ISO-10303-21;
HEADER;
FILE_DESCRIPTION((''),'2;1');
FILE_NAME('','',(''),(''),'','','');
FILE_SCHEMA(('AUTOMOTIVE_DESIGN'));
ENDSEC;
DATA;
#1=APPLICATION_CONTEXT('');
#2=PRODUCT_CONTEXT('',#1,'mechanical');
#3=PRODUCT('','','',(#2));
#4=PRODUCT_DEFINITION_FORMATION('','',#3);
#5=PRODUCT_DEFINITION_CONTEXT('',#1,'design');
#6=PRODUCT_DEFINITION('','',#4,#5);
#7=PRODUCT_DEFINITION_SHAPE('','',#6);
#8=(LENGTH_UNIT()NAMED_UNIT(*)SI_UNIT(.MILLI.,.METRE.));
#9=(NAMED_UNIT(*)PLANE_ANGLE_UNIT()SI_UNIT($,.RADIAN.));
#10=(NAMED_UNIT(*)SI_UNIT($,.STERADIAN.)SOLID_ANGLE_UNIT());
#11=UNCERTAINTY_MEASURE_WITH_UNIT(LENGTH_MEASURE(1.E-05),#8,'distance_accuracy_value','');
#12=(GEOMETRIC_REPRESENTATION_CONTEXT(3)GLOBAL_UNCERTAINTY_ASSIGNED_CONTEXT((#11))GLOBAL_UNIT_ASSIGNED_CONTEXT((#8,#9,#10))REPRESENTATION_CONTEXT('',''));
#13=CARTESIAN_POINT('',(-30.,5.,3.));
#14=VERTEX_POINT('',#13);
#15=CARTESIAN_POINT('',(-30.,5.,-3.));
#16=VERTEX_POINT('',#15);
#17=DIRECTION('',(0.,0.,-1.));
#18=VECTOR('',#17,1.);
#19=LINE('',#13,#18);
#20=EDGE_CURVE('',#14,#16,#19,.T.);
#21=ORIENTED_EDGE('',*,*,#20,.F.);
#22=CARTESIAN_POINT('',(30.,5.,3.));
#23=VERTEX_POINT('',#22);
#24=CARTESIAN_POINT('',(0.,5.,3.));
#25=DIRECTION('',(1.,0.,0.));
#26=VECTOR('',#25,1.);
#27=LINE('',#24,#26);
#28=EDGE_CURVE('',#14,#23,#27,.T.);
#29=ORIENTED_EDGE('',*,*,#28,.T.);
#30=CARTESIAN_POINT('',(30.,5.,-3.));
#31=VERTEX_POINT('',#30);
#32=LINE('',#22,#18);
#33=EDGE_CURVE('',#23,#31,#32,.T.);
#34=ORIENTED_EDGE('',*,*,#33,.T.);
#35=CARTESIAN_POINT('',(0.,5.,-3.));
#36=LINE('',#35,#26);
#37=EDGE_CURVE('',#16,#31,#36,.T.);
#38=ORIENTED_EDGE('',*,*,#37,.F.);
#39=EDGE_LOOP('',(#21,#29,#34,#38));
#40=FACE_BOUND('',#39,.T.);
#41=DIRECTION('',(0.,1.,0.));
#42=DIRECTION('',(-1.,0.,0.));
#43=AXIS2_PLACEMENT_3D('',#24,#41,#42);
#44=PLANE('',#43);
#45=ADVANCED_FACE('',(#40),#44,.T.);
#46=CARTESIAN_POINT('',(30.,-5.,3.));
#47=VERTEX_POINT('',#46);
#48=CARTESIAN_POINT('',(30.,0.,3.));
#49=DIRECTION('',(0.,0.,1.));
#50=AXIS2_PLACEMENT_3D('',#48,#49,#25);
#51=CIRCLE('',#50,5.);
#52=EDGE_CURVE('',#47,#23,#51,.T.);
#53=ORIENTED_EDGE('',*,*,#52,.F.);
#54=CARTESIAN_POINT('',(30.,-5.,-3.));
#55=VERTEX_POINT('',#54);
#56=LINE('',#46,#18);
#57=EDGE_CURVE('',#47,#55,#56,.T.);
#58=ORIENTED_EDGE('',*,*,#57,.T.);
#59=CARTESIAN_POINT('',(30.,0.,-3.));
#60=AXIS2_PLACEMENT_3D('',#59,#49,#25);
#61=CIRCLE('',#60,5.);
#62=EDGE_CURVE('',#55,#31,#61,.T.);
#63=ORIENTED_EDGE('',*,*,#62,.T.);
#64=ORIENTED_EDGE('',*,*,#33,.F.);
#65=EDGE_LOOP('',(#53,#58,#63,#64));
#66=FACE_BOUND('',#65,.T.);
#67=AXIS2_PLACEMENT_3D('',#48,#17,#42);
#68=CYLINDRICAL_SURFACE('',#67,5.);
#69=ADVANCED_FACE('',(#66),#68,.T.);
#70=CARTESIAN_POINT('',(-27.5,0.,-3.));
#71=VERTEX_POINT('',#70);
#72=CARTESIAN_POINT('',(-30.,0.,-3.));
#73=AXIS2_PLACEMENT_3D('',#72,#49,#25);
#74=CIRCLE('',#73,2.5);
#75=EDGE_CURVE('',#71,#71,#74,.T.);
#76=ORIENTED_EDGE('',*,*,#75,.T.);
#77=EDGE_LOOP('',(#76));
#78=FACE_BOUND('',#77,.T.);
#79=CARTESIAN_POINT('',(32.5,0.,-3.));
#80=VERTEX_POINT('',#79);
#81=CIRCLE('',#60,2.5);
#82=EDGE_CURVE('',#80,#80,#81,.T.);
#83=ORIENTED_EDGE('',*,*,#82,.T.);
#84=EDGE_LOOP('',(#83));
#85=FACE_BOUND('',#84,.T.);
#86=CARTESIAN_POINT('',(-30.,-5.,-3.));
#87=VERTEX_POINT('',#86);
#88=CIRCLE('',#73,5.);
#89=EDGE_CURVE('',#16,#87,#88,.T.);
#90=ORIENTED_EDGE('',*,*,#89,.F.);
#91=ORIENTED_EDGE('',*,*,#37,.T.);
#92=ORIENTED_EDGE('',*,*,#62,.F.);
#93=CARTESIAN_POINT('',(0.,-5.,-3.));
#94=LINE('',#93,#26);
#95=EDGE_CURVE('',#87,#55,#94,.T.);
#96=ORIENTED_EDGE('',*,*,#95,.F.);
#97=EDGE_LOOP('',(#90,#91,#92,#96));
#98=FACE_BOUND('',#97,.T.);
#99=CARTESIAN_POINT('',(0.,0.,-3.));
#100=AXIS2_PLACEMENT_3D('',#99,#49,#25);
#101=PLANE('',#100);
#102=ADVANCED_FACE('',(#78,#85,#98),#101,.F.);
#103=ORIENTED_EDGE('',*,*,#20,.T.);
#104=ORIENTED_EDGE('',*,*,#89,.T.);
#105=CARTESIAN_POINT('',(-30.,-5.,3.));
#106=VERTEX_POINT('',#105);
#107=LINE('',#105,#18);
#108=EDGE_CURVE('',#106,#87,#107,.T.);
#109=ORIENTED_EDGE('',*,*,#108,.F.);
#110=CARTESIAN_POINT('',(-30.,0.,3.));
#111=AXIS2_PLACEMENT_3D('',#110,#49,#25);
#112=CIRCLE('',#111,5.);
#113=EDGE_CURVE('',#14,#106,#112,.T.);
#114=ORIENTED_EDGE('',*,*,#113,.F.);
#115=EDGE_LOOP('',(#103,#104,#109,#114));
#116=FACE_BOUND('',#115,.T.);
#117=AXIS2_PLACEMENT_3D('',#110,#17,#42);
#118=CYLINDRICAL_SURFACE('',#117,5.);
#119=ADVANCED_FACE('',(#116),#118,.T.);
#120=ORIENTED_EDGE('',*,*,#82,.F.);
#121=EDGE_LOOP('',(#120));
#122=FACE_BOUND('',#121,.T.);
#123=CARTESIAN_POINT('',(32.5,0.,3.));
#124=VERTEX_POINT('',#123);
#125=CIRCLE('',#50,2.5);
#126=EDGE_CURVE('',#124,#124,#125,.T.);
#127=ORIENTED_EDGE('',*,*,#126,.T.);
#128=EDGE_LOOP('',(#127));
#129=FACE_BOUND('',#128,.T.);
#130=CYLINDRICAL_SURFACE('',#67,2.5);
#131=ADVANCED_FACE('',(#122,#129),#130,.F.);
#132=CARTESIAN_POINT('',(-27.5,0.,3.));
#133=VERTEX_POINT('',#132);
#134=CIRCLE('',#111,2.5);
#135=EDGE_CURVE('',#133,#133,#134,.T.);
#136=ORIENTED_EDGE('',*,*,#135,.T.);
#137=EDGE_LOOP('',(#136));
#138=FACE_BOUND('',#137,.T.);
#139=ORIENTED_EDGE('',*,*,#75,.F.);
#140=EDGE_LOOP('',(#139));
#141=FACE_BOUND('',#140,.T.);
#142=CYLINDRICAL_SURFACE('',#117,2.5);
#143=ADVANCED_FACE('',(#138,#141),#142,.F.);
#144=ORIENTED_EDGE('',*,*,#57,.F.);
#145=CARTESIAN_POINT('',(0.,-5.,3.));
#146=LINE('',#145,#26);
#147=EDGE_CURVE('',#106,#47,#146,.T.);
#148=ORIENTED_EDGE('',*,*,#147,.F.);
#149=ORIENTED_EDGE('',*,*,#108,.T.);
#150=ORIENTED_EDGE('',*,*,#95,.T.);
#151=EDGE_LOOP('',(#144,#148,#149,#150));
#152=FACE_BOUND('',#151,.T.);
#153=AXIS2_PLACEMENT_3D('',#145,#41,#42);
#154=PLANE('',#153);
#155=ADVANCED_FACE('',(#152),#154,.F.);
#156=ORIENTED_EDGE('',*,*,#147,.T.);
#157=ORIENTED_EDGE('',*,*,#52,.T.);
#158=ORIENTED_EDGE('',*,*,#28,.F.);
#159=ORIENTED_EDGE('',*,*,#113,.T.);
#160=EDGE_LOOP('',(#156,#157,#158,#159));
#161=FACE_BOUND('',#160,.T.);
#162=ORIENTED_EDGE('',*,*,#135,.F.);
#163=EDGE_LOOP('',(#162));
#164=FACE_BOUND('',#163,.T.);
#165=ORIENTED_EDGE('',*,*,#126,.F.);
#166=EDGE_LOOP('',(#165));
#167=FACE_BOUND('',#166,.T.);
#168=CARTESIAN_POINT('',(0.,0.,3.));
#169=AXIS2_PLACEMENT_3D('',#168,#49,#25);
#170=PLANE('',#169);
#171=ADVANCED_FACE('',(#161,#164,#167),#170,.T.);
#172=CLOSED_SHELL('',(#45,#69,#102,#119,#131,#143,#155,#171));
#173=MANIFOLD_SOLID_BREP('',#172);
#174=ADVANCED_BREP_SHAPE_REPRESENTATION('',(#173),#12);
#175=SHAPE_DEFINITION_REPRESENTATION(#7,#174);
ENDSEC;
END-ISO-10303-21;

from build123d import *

# Parameters (mm, degrees)
SKETCH1_R           = 2.5
BOSS_EXTRUDE1_DEPTH = 3


with BuildPart() as part:
    # Sketch1 → Boss-Extrude1 (new, symmetric)
    with BuildSketch(Plane.XY):
        with BuildLine():
            Line((-30, 5), (30, 5))
            ThreePointArc((30, 5), (35, 0), (30, -5))
            Line((30, -5), (-30, -5))
            ThreePointArc((-30, -5), (-35, 0), (-30, 5))
        make_face()
        with Locations((-30, 0)):
            Circle(SKETCH1_R, mode=Mode.SUBTRACT)
        with Locations((30, 0)):
            Circle(SKETCH1_R, mode=Mode.SUBTRACT)
    extrude(amount=BOSS_EXTRUDE1_DEPTH, both=True)


solid = part.part
